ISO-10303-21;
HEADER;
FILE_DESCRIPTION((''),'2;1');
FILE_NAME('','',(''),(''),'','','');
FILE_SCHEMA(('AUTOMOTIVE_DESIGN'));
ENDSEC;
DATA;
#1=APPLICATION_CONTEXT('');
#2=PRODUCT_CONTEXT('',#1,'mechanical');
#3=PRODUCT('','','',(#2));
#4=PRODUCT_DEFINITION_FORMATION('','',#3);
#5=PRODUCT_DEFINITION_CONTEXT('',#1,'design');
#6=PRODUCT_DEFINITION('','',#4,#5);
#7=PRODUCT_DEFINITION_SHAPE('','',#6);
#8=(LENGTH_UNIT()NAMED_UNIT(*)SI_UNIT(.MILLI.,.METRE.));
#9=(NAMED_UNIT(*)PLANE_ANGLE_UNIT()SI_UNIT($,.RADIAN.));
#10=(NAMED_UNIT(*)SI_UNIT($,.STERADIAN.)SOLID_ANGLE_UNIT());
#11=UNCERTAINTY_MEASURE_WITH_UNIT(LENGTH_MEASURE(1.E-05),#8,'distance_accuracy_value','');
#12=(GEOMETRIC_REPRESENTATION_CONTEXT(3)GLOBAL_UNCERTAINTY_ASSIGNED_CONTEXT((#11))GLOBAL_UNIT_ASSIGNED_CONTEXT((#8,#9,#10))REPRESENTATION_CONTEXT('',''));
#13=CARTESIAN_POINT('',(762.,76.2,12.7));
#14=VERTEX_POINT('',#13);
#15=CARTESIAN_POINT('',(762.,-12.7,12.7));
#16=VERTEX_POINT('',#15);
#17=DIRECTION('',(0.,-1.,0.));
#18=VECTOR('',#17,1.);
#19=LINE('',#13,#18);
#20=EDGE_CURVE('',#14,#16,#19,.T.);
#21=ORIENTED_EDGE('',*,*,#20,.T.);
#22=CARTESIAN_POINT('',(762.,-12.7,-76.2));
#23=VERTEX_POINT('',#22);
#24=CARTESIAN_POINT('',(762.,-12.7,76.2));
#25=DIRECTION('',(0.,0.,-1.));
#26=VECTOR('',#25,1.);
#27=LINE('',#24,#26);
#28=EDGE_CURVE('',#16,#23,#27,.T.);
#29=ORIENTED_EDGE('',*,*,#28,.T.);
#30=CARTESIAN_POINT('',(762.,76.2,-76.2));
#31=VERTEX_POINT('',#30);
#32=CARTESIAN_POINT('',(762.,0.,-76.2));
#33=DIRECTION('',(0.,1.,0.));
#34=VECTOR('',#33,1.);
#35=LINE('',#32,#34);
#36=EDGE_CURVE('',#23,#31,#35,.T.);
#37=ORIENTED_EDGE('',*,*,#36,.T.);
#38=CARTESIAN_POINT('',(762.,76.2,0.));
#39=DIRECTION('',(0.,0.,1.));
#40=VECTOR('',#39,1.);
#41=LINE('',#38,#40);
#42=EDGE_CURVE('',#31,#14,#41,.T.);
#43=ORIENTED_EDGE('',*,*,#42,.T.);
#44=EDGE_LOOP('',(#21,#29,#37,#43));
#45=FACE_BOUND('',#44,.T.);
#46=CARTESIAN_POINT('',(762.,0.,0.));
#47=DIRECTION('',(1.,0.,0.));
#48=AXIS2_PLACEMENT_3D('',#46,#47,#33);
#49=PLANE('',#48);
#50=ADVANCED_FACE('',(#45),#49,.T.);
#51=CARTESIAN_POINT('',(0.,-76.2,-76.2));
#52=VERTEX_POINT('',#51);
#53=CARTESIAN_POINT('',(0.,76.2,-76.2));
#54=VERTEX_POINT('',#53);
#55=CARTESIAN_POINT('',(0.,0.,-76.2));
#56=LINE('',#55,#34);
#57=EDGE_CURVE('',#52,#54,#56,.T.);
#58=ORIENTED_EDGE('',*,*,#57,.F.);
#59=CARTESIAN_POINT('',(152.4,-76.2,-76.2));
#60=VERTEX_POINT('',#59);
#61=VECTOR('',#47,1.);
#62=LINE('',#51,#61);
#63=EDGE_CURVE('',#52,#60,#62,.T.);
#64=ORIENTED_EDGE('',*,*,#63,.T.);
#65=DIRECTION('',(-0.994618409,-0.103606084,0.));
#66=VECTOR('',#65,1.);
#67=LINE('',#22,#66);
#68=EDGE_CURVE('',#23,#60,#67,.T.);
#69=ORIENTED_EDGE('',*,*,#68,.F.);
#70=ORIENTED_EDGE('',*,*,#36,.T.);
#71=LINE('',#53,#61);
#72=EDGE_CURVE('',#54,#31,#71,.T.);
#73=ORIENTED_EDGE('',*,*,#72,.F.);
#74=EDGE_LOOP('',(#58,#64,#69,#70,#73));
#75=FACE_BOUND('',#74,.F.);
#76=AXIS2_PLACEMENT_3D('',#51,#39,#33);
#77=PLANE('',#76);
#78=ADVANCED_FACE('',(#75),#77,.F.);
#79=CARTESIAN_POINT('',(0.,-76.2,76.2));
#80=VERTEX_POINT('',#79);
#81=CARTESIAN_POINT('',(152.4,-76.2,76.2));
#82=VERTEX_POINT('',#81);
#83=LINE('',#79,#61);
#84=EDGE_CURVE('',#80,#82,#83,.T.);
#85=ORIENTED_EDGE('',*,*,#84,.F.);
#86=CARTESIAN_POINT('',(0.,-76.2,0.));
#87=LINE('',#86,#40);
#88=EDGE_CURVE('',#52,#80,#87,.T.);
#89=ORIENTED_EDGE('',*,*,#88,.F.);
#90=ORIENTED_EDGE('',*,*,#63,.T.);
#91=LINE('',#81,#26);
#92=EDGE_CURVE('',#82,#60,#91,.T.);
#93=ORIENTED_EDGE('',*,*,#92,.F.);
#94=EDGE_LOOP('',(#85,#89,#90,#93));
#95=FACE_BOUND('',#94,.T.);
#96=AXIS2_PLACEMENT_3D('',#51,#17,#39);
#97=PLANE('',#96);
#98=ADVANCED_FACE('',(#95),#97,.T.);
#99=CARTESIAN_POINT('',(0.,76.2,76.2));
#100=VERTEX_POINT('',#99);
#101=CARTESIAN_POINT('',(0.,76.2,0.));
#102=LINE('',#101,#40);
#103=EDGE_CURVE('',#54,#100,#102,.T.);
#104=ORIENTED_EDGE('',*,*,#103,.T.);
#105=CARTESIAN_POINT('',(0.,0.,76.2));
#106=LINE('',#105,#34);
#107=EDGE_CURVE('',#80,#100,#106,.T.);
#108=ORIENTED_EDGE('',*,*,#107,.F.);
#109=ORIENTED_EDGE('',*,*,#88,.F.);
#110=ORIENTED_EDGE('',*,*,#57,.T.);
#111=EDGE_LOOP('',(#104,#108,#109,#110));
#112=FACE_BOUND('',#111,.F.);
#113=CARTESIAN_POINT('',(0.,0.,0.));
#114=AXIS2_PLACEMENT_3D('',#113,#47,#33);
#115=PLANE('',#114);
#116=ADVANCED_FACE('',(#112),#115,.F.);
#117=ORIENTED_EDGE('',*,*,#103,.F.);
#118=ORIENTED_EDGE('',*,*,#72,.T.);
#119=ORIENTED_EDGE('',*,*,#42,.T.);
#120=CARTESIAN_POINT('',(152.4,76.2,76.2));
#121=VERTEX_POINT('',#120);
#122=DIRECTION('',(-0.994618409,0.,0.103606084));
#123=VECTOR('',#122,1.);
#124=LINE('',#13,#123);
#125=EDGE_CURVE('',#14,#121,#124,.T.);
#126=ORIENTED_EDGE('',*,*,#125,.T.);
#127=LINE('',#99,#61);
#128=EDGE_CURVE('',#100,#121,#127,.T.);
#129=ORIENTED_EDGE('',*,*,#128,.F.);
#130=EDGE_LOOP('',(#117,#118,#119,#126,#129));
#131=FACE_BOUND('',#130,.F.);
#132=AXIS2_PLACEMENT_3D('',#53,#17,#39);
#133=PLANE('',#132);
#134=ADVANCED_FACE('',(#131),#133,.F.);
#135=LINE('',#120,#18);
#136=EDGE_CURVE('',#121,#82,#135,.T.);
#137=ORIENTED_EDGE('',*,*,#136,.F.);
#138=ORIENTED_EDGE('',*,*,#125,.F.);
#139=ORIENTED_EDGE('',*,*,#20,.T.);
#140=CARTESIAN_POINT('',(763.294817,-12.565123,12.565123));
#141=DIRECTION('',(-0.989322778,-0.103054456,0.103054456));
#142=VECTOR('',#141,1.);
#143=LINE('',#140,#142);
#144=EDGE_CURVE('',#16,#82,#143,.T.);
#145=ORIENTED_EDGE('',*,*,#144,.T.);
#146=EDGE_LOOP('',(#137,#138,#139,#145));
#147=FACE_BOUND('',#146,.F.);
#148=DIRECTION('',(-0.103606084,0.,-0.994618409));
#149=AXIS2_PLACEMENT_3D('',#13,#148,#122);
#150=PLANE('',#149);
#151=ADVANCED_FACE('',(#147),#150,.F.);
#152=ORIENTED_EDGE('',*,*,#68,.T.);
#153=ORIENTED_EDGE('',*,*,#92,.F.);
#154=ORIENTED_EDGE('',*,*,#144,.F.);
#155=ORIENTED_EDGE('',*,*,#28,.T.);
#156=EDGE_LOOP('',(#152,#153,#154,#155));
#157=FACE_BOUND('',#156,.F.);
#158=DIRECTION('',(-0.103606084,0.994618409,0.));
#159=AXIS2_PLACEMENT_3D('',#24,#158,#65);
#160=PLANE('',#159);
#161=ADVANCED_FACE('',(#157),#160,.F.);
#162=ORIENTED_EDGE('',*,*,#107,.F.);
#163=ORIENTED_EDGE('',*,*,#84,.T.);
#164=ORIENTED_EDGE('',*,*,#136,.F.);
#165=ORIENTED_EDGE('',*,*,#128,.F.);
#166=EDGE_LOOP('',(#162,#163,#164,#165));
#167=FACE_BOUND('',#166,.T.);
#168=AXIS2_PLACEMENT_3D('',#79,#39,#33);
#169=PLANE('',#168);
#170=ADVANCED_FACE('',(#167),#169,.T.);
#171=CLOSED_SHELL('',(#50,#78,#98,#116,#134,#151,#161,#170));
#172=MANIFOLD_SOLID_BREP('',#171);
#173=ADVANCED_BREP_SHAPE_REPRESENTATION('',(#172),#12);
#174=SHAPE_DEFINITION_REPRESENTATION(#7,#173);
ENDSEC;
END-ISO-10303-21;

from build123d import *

# Parameters (mm, degrees)
F0_W     = 152.4
F0_H     = 152.4
F1_DEPTH = 762
F3_DEPTH = 152.4
F5_DEPTH = 152.4


with BuildPart() as f1:
    # F0 (on Right) → F1 (new body)
    with BuildSketch(Plane.YZ):
        Rectangle(F0_W, F0_H)
    extrude(amount=F1_DEPTH)

    # F2 (on face) → F3 (cut)
    with BuildSketch(Plane.XY.offset(76.2)):
        Polygon((762, -12.7), (152.4, -76.2), (762, -76.2), align=None)
    extrude(amount=-F3_DEPTH, mode=Mode.SUBTRACT)

    # F4 (on face) → F5 (cut)
    with BuildSketch(Plane(origin=(0, 76.2, 0), x_dir=(-1, 0, 0), z_dir=(0, 1, 0))):
        Polygon((-762, 12.7), (-152.4, 76.2), (-762, 76.2), align=None)
    extrude(amount=-F5_DEPTH, mode=Mode.SUBTRACT)


solid = f1.part
